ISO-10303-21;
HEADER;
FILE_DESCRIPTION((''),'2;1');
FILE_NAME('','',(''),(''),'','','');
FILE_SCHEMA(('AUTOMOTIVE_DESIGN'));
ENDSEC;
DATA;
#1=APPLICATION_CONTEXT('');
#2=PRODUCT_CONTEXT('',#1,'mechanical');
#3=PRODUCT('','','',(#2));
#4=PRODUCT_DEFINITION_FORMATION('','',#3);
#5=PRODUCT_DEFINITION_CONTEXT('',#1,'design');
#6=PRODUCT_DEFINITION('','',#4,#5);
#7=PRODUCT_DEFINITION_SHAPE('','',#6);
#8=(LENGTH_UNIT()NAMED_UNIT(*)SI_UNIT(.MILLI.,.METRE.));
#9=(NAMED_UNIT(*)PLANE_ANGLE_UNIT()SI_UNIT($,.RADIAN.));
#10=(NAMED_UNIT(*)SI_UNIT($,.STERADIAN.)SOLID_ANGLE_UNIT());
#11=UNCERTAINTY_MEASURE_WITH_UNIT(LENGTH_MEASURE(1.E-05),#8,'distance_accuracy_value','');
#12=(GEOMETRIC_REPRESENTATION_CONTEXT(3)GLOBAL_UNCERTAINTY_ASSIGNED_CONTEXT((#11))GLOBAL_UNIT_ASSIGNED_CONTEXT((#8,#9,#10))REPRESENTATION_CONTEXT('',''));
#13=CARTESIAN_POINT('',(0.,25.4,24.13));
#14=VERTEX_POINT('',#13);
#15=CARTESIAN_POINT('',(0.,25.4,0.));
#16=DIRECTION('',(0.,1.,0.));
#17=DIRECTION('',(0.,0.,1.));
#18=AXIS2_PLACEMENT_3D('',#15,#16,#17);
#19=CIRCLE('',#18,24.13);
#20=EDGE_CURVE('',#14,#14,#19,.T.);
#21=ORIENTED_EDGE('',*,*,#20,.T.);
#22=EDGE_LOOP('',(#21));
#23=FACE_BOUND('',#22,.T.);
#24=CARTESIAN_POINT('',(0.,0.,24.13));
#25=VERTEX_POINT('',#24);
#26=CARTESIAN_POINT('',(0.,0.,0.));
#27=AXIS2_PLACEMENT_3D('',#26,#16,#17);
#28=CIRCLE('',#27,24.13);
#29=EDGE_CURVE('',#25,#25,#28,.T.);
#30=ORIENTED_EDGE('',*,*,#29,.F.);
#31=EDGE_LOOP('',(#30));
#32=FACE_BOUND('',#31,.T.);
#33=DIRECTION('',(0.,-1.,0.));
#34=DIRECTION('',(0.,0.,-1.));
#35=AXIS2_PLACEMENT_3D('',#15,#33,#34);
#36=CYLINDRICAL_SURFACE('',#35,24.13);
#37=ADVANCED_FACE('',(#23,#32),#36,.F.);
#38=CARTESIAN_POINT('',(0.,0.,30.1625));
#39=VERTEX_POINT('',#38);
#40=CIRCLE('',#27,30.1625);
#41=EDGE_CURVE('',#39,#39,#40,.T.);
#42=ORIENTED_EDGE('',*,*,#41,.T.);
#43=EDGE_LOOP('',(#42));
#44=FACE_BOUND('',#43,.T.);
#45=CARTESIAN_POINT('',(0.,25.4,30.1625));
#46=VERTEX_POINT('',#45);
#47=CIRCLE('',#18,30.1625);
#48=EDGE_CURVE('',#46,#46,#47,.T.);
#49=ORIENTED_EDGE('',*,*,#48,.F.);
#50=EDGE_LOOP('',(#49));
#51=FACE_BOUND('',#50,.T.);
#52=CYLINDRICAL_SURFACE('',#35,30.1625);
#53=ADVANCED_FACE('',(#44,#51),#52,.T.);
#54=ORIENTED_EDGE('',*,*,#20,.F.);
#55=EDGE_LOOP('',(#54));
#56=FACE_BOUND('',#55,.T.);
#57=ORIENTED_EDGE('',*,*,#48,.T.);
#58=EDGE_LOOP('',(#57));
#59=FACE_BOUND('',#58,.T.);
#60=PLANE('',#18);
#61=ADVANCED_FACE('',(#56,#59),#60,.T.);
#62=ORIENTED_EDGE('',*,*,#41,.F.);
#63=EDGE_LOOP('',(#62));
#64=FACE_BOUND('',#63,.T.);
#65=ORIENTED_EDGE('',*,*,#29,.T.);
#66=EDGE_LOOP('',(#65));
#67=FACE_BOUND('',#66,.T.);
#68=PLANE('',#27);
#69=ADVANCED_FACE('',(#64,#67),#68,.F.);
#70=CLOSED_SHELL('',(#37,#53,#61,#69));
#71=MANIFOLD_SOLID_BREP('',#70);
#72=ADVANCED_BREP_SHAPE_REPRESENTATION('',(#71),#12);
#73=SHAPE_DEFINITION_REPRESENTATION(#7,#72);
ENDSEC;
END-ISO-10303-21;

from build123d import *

# Parameters (mm, degrees)
SKETCH1_R           = 30.1625
SKETCH1_R_2         = 24.13
BOSS_EXTRUDE1_DEPTH = 25.4


with BuildPart() as part:
    # Sketch1 → Boss-Extrude1 (new body)
    with BuildSketch(Plane(origin=(0, 0, 0), x_dir=(1, 0, 0), z_dir=(0, 1, 0))):
        Circle(SKETCH1_R)
        Circle(SKETCH1_R_2, mode=Mode.SUBTRACT)
    extrude(amount=BOSS_EXTRUDE1_DEPTH)


solid = part.part
